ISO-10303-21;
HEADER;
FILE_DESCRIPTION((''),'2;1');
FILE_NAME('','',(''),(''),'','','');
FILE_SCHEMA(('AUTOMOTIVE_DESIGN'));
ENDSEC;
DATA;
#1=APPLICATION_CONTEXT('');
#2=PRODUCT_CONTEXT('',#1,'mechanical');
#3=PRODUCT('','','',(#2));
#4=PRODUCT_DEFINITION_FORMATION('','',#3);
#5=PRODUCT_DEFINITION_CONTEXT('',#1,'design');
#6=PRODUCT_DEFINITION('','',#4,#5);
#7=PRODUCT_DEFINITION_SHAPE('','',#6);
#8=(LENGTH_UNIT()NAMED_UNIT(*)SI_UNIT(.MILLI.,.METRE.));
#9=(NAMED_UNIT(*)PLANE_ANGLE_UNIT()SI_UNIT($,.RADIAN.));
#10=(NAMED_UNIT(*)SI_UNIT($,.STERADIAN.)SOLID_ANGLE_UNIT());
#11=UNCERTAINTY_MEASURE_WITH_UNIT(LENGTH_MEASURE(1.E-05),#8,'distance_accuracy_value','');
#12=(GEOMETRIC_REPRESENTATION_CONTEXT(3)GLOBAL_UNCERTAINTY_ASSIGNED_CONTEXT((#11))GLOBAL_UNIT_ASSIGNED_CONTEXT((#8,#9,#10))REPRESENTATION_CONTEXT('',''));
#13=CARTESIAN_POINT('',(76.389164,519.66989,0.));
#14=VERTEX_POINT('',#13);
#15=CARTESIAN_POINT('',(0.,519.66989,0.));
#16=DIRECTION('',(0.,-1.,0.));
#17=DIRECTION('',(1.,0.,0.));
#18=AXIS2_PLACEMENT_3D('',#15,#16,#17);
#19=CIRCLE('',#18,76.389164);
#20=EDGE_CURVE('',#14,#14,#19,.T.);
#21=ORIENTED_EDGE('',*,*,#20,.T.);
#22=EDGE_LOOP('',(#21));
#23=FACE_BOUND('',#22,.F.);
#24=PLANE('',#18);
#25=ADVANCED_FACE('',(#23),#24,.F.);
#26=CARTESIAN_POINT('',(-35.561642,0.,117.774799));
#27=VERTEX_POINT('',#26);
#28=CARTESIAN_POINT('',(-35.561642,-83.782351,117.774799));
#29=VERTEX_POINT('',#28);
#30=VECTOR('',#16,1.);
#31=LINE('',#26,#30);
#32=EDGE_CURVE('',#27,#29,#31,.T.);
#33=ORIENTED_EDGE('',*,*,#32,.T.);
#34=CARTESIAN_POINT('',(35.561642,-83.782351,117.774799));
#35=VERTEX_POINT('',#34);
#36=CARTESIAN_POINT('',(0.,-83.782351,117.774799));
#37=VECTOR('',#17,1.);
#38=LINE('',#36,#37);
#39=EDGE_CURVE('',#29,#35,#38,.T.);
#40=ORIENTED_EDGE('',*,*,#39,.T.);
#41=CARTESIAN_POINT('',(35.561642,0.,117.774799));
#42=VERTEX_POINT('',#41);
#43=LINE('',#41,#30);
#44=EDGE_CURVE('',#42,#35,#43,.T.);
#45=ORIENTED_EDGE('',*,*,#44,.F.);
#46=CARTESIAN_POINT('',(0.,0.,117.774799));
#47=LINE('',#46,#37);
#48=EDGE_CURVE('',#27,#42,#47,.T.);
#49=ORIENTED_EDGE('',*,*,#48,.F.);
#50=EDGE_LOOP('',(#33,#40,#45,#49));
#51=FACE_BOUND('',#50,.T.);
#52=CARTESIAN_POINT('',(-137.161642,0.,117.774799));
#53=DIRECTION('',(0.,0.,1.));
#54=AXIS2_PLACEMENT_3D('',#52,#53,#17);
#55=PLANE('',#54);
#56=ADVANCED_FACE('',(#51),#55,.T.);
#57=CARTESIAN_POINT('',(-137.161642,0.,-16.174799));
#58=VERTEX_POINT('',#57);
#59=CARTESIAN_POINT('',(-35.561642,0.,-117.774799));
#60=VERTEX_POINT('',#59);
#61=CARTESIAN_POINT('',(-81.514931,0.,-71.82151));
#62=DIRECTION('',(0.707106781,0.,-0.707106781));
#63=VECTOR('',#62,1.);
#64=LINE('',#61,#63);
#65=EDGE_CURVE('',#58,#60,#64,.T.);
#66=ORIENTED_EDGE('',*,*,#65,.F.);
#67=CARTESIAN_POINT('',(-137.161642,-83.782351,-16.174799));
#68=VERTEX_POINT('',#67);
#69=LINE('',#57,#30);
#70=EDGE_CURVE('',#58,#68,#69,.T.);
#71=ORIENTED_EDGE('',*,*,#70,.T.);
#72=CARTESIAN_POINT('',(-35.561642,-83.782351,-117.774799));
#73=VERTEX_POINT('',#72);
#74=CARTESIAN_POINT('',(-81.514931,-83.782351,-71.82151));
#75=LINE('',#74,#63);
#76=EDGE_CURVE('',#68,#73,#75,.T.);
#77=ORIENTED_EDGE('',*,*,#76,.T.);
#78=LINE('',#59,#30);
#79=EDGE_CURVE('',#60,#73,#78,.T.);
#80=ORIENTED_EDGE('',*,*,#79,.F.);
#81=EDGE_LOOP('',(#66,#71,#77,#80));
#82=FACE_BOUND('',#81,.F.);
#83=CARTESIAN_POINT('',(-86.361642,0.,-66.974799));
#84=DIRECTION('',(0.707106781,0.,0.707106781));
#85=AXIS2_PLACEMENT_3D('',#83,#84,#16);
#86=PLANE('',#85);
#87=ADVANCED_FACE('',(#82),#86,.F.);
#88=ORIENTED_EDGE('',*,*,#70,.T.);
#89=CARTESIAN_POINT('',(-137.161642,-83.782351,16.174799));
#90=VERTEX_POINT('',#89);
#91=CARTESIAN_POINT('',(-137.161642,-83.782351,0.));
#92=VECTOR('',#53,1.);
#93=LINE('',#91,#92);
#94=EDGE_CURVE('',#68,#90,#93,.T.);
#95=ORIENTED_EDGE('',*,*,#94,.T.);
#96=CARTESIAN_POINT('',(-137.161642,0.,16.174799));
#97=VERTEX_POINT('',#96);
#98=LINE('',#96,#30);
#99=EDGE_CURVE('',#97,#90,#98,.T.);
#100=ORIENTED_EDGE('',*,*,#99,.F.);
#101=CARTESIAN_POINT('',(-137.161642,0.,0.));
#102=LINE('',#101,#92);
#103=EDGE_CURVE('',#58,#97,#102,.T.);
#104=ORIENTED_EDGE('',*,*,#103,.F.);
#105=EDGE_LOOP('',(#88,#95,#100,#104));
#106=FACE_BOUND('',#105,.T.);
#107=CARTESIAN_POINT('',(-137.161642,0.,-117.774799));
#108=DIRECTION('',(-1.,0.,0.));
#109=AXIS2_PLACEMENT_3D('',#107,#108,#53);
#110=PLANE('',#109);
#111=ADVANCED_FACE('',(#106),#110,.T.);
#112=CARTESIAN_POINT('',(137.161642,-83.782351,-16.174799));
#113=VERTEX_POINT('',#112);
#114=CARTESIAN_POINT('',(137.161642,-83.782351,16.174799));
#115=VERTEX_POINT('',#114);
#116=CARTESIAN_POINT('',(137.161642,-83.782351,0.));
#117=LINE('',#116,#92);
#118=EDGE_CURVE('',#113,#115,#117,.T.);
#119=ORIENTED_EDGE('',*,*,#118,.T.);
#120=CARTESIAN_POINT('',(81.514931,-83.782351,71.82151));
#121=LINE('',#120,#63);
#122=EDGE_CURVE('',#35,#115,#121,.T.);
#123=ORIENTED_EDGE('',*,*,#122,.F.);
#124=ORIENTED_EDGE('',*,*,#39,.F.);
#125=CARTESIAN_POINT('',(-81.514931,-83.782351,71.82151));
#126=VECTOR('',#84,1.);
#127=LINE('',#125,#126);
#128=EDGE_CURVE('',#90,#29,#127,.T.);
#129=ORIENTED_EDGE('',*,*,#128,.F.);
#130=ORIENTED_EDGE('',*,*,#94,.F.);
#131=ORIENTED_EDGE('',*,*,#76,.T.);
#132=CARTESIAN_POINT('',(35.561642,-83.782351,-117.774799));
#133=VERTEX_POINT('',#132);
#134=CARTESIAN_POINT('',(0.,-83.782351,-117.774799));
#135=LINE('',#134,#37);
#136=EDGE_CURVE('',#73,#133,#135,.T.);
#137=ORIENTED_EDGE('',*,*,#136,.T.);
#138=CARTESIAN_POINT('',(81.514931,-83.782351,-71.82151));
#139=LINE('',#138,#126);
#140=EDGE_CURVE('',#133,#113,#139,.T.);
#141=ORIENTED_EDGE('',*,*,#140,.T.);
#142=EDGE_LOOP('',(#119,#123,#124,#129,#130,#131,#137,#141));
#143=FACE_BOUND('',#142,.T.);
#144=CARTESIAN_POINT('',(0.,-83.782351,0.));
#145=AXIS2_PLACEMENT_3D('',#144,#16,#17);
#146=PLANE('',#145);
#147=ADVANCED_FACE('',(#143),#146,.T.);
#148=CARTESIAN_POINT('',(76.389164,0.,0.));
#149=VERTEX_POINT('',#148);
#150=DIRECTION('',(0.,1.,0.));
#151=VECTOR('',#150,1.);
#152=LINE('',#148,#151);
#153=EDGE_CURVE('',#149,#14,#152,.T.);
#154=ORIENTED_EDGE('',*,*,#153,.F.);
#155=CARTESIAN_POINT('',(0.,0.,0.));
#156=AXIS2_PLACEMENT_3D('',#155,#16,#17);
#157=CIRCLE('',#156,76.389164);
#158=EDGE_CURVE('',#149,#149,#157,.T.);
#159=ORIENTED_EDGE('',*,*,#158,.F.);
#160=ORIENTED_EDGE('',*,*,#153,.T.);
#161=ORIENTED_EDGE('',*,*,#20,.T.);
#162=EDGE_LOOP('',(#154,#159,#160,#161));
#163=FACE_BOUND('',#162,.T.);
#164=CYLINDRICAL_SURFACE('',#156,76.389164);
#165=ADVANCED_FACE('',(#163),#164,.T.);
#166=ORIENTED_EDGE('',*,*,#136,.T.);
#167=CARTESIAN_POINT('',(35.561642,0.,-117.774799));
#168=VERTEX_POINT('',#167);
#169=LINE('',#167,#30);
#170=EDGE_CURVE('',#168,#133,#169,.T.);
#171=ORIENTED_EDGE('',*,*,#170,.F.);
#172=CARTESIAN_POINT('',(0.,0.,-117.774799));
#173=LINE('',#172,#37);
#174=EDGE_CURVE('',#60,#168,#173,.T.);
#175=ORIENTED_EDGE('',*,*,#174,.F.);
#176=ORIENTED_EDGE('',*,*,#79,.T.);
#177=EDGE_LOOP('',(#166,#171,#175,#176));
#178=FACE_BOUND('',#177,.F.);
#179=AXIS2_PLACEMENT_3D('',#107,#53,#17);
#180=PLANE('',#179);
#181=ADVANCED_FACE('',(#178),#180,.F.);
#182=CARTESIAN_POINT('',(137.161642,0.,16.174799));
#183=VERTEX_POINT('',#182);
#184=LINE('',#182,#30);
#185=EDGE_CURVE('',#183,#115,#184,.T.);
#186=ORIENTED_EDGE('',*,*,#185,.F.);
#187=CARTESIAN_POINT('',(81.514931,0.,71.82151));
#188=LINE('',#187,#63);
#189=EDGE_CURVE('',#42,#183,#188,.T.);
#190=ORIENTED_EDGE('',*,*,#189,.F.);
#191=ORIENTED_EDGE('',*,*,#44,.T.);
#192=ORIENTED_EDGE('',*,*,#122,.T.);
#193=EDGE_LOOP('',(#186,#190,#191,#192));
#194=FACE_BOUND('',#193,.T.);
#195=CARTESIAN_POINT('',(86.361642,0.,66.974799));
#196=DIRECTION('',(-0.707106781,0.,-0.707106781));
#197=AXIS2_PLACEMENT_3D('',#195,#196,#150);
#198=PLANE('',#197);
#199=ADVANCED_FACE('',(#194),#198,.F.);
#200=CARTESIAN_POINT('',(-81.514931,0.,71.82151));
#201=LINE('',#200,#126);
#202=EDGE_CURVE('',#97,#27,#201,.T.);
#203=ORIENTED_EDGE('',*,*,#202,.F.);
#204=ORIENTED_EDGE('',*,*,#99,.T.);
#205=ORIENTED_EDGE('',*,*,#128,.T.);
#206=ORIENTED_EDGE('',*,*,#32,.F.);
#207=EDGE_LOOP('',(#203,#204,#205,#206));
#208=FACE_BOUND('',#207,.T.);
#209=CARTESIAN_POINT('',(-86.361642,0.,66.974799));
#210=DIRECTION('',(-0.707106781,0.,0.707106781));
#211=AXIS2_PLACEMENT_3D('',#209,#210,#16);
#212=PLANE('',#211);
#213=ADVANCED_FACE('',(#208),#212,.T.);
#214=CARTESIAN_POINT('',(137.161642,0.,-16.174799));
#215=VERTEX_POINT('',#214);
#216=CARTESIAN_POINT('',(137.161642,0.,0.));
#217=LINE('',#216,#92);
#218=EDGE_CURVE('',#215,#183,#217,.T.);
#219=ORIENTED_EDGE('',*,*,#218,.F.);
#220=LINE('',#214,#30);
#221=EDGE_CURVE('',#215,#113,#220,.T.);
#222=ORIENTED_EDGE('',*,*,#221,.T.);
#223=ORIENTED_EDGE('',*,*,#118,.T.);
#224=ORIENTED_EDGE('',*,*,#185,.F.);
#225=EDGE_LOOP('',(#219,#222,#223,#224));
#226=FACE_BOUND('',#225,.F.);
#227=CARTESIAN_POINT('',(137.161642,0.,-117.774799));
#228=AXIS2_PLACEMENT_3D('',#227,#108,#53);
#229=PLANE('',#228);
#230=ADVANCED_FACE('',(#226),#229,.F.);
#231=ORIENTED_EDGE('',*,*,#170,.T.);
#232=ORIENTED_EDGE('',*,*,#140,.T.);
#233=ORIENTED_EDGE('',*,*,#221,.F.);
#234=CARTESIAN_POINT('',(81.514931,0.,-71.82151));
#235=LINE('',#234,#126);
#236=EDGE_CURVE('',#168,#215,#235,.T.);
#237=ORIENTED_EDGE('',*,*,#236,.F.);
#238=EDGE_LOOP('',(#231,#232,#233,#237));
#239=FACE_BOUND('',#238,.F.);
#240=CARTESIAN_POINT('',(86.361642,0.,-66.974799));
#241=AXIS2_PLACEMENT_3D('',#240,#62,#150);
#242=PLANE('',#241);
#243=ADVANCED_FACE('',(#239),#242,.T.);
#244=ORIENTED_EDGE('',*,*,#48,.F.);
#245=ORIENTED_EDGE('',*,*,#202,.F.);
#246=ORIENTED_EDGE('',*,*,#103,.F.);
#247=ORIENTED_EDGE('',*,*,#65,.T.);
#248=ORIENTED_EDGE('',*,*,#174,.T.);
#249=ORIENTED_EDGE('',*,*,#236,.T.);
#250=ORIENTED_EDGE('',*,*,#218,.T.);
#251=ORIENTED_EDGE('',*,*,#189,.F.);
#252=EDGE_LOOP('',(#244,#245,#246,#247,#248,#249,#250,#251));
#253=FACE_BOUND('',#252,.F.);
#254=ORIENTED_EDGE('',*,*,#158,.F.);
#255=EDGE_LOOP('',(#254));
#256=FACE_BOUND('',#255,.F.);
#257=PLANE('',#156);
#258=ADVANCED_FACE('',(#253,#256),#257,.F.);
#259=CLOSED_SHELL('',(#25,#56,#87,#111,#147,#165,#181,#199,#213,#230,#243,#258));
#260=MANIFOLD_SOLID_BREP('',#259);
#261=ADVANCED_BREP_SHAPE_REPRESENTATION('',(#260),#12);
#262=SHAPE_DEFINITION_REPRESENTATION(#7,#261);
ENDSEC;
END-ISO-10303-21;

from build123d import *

# Parameters (mm, degrees)
F0_R     = 76.389164
F1_DEPTH = 519.66989
F2_W     = 274.323284
F2_H     = 235.549598
F3_DEPTH = 83.782351
F4_SIZE  = 101.6


with BuildPart() as f1:
    # F0 (on Front) → F1 (new body)
    with BuildSketch(Plane.XZ):
        Circle(F0_R)
    extrude(amount=-F1_DEPTH)

    # F2 (on Front) → F3 (join)
    with BuildSketch(Plane.XZ):
        Rectangle(F2_W, F2_H)
    extrude(amount=F3_DEPTH)

    # F4
    f4_edges = [f1.edges().sort_by_distance(p)[0] for p in [
        (137.161642, -41.891175, 117.774799),
        (-137.161642, -41.891175, 117.774799),
        (-137.161642, -41.891175, -117.774799),
        (137.161642, -41.891175, -117.774799),
    ]]
    chamfer(f4_edges, length=F4_SIZE)


solid = f1.part
